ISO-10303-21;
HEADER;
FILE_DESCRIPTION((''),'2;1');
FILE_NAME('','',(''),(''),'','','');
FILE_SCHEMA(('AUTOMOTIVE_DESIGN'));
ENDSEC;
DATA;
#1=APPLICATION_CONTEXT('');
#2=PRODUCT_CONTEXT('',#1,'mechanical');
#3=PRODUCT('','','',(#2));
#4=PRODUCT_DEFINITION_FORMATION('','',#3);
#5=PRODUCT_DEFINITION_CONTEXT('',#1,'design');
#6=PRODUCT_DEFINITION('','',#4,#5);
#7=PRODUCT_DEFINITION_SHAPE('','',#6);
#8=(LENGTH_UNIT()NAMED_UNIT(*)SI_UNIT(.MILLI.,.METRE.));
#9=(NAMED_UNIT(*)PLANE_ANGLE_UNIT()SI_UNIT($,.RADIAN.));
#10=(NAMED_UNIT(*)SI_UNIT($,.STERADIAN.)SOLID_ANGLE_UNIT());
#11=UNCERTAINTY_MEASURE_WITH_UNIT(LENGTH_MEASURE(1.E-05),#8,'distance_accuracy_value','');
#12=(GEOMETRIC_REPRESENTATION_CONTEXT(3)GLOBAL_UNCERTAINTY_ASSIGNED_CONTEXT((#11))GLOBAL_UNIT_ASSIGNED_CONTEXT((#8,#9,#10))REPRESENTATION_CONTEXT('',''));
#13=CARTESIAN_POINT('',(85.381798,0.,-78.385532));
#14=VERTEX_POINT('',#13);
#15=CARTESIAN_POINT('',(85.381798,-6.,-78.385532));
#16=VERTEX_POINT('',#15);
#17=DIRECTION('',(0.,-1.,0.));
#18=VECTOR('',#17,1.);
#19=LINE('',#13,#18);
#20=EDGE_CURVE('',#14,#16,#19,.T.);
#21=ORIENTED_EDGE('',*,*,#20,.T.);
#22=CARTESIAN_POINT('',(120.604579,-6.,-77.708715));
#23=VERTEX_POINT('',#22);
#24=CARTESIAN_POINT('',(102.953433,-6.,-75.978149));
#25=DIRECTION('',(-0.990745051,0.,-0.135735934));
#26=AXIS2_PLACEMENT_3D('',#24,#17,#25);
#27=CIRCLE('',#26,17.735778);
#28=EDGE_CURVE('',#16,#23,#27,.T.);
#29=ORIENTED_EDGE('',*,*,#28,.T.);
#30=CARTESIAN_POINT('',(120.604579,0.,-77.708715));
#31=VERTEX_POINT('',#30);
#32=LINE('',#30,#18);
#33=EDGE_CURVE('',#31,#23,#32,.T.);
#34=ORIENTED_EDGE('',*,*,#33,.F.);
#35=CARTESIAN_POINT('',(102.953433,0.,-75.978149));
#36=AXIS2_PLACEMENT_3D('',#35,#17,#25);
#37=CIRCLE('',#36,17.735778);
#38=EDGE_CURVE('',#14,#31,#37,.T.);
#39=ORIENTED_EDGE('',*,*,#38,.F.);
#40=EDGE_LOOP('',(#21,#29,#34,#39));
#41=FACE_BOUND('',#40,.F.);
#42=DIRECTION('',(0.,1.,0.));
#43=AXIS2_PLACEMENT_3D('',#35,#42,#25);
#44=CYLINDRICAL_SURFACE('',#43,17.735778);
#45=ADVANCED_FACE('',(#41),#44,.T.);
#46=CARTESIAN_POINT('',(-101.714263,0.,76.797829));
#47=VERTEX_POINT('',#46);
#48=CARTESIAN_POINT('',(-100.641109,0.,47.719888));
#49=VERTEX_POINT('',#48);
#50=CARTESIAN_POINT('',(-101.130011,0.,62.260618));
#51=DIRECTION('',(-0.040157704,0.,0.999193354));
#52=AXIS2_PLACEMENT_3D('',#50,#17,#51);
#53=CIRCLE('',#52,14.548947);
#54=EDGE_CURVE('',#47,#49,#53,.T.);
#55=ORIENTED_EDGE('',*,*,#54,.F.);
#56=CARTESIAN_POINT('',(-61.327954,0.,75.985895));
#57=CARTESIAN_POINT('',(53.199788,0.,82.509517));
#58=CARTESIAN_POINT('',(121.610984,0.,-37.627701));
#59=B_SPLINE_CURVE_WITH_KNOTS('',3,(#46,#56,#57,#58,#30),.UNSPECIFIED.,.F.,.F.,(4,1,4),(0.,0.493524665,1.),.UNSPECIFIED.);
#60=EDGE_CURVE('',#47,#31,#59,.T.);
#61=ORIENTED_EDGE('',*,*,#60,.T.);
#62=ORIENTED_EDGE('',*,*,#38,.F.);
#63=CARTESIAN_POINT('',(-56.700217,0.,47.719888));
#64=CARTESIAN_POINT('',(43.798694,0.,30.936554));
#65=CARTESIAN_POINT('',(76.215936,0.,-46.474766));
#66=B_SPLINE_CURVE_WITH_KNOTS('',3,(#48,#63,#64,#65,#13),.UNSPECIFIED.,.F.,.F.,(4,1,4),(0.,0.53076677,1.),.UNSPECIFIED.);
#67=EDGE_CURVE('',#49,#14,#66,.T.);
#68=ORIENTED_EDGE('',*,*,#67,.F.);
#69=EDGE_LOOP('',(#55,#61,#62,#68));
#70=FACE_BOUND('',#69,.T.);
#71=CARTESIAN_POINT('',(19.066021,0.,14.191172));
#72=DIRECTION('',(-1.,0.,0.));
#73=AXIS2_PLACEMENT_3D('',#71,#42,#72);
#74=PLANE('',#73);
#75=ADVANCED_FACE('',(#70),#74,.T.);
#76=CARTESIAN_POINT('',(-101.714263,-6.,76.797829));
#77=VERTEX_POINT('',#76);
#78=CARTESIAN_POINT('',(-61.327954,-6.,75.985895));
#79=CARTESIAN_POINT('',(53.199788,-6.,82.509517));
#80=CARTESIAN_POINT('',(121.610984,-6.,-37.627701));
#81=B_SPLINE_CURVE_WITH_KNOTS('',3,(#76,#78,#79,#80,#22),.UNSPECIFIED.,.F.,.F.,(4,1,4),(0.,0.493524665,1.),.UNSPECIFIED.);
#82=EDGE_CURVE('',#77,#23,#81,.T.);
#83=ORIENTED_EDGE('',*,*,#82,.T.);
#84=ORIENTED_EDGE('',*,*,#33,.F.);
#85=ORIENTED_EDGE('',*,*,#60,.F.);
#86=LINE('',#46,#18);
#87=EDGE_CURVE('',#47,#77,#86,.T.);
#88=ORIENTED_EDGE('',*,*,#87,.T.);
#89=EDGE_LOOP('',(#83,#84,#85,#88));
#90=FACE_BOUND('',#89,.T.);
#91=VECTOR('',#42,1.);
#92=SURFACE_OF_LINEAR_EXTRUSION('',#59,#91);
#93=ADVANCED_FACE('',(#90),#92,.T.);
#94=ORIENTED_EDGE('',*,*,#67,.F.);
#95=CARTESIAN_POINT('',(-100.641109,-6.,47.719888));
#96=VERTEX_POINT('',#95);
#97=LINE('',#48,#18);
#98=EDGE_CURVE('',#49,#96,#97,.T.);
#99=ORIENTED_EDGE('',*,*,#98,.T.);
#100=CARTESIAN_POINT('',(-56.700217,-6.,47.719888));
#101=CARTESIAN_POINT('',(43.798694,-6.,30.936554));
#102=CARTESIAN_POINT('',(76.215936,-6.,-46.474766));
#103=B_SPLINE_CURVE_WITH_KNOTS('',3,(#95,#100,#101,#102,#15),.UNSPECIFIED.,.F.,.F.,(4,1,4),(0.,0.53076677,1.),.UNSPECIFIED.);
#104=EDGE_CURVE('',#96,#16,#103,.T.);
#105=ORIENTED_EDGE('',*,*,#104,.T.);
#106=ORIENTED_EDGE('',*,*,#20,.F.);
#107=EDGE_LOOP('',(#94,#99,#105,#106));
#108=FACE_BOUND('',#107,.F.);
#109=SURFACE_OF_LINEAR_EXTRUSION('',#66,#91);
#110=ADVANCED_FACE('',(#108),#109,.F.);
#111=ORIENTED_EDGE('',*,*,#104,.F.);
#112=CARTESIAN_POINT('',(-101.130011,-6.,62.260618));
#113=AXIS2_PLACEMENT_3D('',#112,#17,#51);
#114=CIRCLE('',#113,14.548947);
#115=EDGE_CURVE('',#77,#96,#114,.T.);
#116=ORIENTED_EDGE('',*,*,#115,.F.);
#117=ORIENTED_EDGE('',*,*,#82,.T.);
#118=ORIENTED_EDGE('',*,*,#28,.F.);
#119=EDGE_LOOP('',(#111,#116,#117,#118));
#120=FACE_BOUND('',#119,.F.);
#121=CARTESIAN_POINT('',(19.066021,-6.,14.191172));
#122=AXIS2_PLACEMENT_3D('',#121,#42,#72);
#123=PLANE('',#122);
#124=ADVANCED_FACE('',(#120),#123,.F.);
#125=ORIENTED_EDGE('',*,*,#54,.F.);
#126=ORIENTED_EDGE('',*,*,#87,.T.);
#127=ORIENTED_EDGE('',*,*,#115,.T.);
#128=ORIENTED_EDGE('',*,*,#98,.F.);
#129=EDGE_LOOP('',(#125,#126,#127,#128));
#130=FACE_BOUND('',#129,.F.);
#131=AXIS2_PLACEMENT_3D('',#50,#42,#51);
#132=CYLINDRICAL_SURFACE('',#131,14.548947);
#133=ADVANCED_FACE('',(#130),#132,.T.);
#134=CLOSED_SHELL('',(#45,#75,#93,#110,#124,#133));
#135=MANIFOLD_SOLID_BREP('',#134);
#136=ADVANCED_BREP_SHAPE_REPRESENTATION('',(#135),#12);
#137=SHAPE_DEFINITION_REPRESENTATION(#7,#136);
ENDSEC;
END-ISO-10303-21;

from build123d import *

# Parameters (mm, degrees)
F1_DEPTH = 6


with BuildPart() as f1:
    # F0 (on Front) → F1 (new body)
    with BuildSketch(Plane.XZ):
        with BuildLine():
            add(Edge.make_bspline(
                [(-101.7142631175, 76.7978288036), (-61.3279538518, 75.9858952802), (53.199787643, 82.5095167863), (121.6109842062, -37.6277007163), (120.6045793327, -77.7087154106)],
                knots=[0, 0, 0, 0, 0.4935246648, 1, 1, 1, 1], degree=3))
            ThreePointArc((-101.7142631175, 76.7978288036), (-115.6690591988, 61.7240381864), (-100.6411090493, 47.7198883891))
            add(Edge.make_bspline(
                [(-100.6411090493, 47.7198883891), (-56.7002171544, 47.7198883891), (43.7986936163, 30.936554419), (76.2159358664, -46.474766397), (85.3817984462, -78.3855319023)],
                knots=[0, 0, 0, 0, 0.5307667703, 1, 1, 1, 1], degree=3))
            ThreePointArc((85.3817984462, -78.3855319023), (103.2941684146, -93.7106543133), (120.6045793327, -77.7087154106))
        make_face()
    extrude(amount=F1_DEPTH)


solid = f1.part
